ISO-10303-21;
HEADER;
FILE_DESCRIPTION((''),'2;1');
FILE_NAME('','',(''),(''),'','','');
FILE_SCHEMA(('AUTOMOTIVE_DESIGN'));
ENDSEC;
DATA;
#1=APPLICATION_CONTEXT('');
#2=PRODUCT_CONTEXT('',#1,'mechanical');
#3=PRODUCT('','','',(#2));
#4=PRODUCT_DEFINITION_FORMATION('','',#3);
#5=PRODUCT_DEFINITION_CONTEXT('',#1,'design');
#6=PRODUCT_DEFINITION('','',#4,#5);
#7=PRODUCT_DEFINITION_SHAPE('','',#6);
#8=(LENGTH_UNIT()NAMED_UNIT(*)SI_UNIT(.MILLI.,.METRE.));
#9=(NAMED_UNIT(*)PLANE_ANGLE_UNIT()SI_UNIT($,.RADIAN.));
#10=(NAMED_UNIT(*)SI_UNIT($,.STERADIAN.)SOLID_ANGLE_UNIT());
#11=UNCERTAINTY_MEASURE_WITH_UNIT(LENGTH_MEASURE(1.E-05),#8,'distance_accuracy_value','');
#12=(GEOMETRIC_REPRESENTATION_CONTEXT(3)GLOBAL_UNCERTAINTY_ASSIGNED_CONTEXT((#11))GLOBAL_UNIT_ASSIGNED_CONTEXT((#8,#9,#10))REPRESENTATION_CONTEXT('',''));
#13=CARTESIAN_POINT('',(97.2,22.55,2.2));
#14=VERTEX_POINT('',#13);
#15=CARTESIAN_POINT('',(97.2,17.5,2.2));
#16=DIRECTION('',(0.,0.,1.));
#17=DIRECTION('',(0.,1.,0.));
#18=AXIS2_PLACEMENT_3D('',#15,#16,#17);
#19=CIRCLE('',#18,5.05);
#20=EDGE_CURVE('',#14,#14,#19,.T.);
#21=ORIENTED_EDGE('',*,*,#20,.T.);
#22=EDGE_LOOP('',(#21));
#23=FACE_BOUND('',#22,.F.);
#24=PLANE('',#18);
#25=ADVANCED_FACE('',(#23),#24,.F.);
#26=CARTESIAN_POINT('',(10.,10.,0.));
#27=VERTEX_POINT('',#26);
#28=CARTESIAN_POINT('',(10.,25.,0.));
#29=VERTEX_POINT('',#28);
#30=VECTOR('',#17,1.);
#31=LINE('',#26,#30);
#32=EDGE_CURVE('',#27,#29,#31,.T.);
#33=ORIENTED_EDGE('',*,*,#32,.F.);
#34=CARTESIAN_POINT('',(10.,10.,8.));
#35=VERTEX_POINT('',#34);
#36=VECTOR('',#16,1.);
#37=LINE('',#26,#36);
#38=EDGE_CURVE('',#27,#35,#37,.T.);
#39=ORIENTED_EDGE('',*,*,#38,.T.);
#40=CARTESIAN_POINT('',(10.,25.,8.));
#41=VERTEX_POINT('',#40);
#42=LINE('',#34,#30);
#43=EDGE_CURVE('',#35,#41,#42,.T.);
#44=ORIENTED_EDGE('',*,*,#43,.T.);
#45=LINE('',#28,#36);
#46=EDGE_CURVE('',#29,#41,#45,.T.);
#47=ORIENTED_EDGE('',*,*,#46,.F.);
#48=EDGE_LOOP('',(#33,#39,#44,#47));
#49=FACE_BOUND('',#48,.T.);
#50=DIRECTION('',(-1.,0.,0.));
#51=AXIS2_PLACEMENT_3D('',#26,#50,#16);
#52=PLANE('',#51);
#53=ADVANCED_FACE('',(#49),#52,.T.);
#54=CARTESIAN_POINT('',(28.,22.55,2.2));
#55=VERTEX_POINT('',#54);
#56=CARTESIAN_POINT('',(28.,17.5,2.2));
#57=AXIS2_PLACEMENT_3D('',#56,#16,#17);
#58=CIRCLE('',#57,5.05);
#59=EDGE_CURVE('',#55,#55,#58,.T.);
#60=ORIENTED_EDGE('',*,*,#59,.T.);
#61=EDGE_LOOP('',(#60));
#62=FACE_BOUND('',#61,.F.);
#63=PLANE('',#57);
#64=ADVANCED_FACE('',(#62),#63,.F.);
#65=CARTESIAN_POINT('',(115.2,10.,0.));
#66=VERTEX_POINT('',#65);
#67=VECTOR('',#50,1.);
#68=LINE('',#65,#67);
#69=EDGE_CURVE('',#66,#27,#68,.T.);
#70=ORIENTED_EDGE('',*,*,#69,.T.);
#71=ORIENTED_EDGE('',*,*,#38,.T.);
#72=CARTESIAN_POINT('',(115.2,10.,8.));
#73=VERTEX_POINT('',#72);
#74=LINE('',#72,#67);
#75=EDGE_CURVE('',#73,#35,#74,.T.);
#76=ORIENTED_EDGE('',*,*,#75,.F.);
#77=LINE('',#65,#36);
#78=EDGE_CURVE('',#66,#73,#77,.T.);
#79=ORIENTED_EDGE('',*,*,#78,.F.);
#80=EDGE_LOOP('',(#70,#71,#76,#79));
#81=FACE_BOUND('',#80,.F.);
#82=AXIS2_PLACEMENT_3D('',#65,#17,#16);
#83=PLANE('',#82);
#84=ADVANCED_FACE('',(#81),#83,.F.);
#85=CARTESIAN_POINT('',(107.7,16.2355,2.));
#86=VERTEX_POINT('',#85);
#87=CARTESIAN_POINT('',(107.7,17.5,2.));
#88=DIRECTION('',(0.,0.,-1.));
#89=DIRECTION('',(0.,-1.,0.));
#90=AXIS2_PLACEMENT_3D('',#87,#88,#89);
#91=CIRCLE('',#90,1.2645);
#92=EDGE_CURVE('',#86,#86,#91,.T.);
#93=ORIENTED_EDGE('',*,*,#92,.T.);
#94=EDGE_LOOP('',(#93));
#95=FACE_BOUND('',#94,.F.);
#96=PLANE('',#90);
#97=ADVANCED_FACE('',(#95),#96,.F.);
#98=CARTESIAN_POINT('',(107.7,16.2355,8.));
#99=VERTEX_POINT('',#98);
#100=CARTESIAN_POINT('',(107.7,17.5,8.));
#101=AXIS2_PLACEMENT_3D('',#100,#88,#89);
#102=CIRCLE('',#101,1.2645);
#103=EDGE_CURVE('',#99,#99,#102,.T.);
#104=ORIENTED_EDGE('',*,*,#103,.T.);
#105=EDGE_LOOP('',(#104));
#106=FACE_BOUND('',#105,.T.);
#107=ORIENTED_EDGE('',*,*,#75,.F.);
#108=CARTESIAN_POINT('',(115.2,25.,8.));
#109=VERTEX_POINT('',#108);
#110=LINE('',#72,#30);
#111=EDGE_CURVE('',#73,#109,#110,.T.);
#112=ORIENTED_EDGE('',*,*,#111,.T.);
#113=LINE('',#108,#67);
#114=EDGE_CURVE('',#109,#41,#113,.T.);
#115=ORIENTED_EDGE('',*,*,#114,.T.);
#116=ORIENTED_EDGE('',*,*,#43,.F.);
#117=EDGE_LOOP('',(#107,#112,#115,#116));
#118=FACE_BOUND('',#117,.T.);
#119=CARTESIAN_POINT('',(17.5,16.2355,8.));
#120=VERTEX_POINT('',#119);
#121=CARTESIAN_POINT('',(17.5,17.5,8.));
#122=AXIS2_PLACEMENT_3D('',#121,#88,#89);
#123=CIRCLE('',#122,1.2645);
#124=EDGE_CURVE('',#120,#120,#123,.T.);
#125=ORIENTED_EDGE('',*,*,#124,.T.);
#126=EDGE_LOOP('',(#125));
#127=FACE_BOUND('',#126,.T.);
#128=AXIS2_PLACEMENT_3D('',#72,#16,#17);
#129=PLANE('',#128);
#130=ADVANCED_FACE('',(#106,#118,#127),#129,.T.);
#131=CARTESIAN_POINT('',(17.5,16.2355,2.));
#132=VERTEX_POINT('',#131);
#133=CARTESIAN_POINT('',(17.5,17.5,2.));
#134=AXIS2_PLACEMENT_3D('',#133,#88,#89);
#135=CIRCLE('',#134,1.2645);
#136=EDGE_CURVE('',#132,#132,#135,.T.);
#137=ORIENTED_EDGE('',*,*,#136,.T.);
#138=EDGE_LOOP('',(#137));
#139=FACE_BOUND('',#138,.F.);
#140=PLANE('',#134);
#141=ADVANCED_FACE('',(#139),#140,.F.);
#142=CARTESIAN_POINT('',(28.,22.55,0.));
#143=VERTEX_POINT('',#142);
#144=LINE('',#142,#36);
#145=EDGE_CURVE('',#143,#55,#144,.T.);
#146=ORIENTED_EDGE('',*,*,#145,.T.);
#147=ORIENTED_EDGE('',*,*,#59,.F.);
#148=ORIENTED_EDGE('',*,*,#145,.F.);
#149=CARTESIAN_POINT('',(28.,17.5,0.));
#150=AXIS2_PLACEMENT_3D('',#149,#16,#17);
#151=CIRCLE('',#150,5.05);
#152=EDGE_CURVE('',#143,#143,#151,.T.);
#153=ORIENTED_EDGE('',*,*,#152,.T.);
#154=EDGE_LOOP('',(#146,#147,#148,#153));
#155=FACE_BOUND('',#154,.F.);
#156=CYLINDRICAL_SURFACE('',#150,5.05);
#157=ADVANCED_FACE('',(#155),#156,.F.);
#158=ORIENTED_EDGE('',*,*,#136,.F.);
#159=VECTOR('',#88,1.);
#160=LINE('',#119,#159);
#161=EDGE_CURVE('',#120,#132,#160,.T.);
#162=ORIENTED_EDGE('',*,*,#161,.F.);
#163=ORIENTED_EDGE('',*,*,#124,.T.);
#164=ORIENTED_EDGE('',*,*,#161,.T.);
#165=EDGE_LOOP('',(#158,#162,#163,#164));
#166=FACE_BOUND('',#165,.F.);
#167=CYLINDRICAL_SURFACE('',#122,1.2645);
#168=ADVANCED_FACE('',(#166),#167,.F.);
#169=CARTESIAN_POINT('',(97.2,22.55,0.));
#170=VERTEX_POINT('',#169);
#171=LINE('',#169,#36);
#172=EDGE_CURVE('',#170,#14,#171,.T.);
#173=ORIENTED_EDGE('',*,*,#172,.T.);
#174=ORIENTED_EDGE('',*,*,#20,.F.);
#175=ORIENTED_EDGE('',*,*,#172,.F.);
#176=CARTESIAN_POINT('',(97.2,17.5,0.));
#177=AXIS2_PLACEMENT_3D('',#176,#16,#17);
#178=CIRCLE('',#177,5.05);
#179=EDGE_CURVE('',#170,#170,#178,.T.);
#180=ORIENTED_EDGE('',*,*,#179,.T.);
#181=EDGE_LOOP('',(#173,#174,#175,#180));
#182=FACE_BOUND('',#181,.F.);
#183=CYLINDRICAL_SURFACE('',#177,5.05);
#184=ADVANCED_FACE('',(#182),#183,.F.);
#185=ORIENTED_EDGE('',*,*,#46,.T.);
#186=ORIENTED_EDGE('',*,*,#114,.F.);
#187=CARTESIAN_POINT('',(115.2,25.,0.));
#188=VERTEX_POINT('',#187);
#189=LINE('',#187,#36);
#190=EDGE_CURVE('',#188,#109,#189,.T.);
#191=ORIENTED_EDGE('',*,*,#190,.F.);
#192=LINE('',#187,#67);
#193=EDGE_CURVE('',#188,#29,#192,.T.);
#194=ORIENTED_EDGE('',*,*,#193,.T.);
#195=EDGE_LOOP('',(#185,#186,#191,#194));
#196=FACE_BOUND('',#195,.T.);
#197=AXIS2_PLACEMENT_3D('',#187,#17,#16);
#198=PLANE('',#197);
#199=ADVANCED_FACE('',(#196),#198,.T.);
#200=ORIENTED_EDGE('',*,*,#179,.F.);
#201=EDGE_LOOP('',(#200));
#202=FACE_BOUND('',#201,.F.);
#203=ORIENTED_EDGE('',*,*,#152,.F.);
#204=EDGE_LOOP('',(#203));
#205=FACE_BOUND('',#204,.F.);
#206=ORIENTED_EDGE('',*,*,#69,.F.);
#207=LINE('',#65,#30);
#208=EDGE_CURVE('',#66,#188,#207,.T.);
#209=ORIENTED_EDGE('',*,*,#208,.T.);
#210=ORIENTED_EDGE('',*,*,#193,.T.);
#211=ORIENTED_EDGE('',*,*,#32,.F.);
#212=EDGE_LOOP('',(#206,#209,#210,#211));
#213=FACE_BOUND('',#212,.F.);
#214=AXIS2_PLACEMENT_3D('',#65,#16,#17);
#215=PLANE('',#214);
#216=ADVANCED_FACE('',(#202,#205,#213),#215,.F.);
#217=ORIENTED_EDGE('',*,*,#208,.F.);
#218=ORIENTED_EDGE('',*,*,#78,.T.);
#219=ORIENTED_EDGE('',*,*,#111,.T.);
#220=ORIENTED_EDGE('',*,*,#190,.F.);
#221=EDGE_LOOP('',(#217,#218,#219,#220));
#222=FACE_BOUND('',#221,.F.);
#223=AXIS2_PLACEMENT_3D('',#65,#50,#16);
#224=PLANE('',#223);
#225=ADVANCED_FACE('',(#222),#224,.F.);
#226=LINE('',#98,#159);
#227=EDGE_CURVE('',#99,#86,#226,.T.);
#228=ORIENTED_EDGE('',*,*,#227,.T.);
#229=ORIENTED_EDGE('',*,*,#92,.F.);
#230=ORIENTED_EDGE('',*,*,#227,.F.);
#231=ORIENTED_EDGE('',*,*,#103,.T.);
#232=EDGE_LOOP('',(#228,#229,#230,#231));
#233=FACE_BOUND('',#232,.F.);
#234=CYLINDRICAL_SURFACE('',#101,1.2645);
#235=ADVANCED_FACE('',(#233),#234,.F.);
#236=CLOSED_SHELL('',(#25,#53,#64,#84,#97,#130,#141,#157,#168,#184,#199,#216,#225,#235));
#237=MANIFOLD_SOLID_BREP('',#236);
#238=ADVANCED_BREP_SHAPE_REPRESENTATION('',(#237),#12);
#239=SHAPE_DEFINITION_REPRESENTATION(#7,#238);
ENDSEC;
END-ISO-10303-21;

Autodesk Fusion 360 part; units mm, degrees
box "BoitePrimitive1" add length 15 width 105.2 height 8 placed x (0, 1, 0) y (-1, 0, 0) z (0, 0, 1) at (115.2, 10, 0)
hole "Perçage1" at (17.5, 17.5, 8) direction (0, 0, -1) diameter 2.529 depth 6 tip angle 180
hole "Perçage2" at (107.7, 17.5, 8) direction (0, 0, -1) diameter 2.529 depth 6 tip angle 180
hole "Perçage3" at (28, 17.5, 0) direction (0, 0, 1) diameter 10.1 depth 2.2 tip angle 180
hole "Perçage4" at (97.2, 17.5, 0) direction (0, 0, 1) diameter 10.1 depth 2.2 tip angle 180
